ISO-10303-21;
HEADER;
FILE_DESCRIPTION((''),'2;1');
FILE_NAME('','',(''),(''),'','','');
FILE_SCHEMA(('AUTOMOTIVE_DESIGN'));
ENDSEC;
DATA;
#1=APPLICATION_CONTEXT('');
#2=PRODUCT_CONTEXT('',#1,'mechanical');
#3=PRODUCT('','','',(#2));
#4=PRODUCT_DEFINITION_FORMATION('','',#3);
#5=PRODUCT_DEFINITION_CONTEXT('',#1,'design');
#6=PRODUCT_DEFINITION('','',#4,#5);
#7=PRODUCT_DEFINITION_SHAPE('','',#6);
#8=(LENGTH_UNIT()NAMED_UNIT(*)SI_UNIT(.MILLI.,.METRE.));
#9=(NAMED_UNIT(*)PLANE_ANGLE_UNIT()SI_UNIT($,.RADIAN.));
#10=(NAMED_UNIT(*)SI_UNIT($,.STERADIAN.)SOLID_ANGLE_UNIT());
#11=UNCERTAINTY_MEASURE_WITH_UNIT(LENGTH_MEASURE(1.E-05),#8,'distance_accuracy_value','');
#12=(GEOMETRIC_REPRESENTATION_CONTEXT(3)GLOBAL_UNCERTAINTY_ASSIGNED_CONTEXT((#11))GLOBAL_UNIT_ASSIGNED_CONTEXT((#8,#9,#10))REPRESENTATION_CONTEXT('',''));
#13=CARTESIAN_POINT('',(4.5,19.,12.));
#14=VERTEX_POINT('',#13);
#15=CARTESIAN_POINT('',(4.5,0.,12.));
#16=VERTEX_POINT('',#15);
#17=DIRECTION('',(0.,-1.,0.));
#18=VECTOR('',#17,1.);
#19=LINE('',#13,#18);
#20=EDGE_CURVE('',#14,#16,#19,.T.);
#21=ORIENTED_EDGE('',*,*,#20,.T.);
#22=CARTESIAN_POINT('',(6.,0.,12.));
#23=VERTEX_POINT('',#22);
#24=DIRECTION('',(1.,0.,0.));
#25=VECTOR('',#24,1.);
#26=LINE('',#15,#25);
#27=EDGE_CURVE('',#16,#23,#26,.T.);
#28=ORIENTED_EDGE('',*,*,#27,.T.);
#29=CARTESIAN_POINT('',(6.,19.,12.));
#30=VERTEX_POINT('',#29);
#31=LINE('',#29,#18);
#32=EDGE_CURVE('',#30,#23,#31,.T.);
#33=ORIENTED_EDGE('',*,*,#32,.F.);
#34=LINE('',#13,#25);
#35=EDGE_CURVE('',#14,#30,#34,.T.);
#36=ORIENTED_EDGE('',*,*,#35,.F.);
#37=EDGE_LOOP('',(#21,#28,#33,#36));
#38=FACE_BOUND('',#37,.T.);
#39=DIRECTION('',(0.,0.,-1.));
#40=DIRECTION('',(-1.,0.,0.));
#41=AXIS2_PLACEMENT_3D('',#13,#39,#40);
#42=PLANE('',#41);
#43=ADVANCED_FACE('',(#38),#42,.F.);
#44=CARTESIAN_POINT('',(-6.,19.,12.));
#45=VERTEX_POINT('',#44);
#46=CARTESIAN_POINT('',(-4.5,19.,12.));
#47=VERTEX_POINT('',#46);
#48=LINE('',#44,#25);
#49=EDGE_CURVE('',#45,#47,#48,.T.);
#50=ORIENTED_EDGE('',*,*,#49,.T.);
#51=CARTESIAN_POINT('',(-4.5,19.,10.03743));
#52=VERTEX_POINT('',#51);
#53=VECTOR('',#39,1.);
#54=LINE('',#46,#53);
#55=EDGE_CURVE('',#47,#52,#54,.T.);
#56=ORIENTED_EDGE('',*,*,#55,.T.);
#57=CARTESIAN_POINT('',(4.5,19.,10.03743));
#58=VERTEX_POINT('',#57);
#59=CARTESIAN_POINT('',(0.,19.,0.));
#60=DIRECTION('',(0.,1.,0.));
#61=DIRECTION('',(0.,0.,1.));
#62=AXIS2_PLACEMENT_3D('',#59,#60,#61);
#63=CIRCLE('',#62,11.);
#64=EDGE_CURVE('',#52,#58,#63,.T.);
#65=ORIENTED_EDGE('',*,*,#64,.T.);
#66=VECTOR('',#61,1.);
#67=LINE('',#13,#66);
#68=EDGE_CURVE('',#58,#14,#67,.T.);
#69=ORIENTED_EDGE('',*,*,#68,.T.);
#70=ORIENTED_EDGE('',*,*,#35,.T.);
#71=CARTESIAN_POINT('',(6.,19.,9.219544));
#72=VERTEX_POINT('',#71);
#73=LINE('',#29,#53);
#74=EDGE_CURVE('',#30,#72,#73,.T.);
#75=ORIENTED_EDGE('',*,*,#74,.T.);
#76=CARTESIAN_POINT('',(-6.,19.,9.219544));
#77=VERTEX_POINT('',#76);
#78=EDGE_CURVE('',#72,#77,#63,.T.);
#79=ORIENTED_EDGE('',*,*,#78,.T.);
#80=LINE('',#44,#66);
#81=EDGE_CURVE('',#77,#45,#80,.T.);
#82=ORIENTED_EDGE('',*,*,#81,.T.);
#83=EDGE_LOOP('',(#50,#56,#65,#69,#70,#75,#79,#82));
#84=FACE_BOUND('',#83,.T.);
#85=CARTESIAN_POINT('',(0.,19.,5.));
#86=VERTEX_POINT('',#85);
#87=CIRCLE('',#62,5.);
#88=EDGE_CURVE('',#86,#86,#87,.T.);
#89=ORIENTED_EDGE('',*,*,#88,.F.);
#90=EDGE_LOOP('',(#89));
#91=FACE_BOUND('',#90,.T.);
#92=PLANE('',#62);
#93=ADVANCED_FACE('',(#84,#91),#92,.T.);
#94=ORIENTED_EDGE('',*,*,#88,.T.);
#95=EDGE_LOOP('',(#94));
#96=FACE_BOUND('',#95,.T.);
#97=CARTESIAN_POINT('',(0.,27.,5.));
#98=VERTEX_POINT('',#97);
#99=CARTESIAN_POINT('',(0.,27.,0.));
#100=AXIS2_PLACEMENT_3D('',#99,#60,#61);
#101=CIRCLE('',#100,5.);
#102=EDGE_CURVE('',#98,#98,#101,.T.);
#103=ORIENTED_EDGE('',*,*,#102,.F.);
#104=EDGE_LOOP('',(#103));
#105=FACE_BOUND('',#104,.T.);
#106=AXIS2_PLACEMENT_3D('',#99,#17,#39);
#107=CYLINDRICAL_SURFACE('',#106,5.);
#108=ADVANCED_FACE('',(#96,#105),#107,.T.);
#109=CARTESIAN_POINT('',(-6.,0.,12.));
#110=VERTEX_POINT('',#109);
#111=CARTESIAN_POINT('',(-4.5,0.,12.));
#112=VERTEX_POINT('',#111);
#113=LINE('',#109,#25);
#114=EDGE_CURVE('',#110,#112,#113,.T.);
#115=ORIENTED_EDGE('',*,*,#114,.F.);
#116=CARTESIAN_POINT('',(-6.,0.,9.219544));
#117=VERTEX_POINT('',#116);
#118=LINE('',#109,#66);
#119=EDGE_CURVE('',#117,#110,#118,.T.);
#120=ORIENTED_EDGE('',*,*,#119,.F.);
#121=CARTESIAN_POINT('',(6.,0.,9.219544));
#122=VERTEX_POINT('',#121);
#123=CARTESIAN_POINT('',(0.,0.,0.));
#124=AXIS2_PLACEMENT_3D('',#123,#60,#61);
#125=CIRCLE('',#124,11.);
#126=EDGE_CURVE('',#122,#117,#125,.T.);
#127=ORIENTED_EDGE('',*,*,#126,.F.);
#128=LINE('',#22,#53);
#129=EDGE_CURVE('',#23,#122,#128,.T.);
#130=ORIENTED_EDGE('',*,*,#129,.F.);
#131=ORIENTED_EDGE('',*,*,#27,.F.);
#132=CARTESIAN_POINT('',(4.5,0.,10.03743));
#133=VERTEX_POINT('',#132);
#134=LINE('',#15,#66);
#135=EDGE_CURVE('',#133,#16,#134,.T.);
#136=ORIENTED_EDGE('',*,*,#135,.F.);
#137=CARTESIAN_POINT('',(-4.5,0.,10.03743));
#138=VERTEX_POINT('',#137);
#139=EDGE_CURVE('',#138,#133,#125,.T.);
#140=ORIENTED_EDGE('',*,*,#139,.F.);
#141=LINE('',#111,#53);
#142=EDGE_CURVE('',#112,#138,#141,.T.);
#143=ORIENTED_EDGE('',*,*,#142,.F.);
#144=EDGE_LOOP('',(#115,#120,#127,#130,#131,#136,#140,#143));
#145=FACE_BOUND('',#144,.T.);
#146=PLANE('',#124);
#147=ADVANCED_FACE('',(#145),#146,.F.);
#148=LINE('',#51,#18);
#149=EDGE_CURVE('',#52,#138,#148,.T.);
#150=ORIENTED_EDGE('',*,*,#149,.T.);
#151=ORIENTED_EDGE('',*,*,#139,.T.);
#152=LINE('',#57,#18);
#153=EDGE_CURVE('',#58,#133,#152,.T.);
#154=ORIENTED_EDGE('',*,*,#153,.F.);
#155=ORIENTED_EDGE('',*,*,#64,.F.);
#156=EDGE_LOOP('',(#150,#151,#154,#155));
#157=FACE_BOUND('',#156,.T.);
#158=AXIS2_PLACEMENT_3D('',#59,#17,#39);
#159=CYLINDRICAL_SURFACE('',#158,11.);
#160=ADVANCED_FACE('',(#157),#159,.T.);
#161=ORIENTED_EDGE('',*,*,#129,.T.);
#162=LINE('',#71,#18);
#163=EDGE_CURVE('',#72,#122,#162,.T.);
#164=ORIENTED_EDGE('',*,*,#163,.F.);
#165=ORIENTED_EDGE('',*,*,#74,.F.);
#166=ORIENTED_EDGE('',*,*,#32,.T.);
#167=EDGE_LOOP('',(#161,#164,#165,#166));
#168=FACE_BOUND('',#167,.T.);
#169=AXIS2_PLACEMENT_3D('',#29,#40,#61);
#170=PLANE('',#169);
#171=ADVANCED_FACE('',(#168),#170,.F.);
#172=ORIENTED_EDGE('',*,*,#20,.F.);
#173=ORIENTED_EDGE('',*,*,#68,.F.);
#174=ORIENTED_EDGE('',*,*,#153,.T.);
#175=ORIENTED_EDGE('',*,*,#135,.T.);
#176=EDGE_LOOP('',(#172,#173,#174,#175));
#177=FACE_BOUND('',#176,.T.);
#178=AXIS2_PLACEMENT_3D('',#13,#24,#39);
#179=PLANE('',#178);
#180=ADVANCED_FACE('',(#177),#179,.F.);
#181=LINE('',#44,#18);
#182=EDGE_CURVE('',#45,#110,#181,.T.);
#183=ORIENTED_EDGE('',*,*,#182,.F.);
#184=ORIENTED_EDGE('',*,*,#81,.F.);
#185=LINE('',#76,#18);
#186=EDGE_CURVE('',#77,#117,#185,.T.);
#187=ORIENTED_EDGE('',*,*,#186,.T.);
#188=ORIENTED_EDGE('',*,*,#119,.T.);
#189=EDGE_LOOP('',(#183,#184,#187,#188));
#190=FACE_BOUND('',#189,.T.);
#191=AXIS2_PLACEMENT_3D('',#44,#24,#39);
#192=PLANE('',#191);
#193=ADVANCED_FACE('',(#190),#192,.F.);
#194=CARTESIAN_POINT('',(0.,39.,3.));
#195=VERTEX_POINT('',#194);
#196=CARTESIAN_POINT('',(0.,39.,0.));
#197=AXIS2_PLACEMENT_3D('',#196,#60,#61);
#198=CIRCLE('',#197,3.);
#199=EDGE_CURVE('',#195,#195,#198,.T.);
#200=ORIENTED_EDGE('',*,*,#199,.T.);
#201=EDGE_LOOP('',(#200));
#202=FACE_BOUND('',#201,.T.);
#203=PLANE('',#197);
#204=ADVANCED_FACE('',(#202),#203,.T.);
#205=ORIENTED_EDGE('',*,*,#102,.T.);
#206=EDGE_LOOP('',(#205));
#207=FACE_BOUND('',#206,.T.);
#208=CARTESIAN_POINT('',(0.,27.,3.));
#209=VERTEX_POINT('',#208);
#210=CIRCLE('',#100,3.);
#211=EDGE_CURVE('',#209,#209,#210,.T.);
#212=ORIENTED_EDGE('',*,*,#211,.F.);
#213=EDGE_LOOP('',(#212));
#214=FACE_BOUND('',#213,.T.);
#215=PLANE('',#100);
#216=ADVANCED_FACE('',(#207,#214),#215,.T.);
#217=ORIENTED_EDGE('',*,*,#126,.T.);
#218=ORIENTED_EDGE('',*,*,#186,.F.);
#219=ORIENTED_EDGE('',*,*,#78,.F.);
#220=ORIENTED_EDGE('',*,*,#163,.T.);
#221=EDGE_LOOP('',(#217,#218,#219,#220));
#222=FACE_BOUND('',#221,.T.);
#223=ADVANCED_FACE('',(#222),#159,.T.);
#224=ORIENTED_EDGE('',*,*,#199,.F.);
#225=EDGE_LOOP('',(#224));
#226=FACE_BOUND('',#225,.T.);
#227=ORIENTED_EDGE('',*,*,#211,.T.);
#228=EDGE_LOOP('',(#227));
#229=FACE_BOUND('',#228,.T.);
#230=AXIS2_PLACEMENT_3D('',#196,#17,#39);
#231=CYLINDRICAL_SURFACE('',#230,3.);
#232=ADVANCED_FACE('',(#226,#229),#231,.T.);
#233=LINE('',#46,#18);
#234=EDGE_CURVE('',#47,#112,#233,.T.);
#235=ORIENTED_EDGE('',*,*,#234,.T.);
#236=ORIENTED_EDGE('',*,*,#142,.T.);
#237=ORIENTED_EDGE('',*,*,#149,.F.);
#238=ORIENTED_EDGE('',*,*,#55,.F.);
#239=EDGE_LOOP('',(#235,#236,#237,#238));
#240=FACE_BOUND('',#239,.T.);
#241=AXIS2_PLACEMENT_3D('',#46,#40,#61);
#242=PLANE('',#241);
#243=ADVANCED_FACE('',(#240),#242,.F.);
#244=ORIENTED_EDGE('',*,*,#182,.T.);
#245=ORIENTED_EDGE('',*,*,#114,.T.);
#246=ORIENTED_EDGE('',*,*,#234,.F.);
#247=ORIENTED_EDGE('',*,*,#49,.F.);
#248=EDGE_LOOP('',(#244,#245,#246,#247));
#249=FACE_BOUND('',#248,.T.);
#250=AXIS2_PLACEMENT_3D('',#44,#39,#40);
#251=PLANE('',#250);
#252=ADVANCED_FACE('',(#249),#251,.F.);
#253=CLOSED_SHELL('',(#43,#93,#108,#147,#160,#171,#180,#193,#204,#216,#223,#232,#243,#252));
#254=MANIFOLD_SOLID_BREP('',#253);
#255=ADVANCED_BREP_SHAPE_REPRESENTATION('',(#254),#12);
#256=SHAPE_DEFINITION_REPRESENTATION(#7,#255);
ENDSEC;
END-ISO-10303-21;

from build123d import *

# Parameters (mm, degrees)
BOSS_EXTRUDE1_DEPTH = 19
SKETCH2_R           = 5
BOSS_EXTRUDE2_DEPTH = 8
SKETCH3_R           = 3
BOSS_EXTRUDE3_DEPTH = 12


with BuildPart() as part:
    # Sketch1 → Boss-Extrude1 (new body)
    with BuildSketch(Plane(origin=(0, 0, 0), x_dir=(1, 0, 0), z_dir=(0, 1, 0))):
        with BuildLine():
            Line((-6, -12), (-4.5, -12))
            Line((-4.5, -12), (-4.5, -10.03742995))
            ThreePointArc((-4.5, -10.03742995), (0, -11), (4.5, -10.03742995))
            Line((4.5, -10.03742995), (4.5, -12))
            Line((4.5, -12), (6, -12))
            Line((6, -12), (6, -9.219544457))
            ThreePointArc((6, -9.219544457), (0, 11), (-6, -9.219544457))
            Line((-6, -9.219544457), (-6, -12))
        make_face()
    extrude(amount=BOSS_EXTRUDE1_DEPTH)

    # Sketch2 → Boss-Extrude2 (add)
    with BuildSketch(Plane(origin=(0, 19, 0), x_dir=(1, 0, 0), z_dir=(0, 1, 0))):
        Circle(SKETCH2_R)
    extrude(amount=BOSS_EXTRUDE2_DEPTH)

    # Sketch3 → Boss-Extrude3 (add)
    with BuildSketch(Plane(origin=(0, 27, 0), x_dir=(1, 0, 0), z_dir=(0, 1, 0))):
        Circle(SKETCH3_R)
    extrude(amount=BOSS_EXTRUDE3_DEPTH)


solid = part.part
